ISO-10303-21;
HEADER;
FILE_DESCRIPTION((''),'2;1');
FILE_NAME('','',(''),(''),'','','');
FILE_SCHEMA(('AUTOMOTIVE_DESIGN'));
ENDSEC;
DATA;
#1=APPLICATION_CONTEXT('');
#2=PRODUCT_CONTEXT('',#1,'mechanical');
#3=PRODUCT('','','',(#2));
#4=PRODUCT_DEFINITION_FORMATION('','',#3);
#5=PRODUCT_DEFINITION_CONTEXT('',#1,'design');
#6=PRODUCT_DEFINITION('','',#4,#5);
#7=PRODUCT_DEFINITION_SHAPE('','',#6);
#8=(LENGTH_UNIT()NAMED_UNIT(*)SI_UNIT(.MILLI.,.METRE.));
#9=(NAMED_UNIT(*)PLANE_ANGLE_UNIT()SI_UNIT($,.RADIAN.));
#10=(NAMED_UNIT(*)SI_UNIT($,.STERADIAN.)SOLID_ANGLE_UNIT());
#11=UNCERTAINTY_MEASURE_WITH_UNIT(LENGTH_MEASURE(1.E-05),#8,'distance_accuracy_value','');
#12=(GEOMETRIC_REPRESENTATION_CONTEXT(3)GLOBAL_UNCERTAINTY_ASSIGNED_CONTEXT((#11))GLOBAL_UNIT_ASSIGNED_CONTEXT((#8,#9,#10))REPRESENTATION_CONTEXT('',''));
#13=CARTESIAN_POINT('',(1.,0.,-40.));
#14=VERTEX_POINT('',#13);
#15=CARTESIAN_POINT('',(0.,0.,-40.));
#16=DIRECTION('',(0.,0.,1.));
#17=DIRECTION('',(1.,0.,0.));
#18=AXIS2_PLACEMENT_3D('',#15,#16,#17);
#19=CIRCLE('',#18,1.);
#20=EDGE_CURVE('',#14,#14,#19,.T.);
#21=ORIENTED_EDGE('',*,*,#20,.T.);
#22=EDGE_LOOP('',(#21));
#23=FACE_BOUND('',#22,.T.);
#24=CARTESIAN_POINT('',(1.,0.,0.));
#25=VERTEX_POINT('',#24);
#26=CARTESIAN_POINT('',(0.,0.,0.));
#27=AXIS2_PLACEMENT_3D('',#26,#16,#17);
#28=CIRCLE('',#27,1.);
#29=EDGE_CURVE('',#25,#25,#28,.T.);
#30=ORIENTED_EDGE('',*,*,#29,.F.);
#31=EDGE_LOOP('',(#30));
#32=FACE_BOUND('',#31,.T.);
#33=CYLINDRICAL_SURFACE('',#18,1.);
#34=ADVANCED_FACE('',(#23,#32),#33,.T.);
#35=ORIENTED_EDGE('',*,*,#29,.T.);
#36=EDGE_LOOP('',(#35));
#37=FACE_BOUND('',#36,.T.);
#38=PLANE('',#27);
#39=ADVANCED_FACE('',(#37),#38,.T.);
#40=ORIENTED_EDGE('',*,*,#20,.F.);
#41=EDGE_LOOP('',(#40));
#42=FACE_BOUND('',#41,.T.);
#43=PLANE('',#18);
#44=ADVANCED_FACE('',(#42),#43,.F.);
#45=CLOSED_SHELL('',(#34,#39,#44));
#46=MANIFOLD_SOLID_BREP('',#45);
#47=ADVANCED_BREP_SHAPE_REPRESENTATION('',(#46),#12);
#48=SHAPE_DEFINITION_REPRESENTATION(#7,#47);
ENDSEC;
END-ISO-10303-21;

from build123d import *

# Parameters (mm, degrees)
ESQUISSE1_R        = 1
BOSS_EXTRU_1_DEPTH = 40


with BuildPart() as part:
    # Esquisse1 → Boss.-Extru.1 (new body)
    with BuildSketch(Plane.XY):
        Circle(ESQUISSE1_R)
    extrude(amount=-BOSS_EXTRU_1_DEPTH)


solid = part.part
